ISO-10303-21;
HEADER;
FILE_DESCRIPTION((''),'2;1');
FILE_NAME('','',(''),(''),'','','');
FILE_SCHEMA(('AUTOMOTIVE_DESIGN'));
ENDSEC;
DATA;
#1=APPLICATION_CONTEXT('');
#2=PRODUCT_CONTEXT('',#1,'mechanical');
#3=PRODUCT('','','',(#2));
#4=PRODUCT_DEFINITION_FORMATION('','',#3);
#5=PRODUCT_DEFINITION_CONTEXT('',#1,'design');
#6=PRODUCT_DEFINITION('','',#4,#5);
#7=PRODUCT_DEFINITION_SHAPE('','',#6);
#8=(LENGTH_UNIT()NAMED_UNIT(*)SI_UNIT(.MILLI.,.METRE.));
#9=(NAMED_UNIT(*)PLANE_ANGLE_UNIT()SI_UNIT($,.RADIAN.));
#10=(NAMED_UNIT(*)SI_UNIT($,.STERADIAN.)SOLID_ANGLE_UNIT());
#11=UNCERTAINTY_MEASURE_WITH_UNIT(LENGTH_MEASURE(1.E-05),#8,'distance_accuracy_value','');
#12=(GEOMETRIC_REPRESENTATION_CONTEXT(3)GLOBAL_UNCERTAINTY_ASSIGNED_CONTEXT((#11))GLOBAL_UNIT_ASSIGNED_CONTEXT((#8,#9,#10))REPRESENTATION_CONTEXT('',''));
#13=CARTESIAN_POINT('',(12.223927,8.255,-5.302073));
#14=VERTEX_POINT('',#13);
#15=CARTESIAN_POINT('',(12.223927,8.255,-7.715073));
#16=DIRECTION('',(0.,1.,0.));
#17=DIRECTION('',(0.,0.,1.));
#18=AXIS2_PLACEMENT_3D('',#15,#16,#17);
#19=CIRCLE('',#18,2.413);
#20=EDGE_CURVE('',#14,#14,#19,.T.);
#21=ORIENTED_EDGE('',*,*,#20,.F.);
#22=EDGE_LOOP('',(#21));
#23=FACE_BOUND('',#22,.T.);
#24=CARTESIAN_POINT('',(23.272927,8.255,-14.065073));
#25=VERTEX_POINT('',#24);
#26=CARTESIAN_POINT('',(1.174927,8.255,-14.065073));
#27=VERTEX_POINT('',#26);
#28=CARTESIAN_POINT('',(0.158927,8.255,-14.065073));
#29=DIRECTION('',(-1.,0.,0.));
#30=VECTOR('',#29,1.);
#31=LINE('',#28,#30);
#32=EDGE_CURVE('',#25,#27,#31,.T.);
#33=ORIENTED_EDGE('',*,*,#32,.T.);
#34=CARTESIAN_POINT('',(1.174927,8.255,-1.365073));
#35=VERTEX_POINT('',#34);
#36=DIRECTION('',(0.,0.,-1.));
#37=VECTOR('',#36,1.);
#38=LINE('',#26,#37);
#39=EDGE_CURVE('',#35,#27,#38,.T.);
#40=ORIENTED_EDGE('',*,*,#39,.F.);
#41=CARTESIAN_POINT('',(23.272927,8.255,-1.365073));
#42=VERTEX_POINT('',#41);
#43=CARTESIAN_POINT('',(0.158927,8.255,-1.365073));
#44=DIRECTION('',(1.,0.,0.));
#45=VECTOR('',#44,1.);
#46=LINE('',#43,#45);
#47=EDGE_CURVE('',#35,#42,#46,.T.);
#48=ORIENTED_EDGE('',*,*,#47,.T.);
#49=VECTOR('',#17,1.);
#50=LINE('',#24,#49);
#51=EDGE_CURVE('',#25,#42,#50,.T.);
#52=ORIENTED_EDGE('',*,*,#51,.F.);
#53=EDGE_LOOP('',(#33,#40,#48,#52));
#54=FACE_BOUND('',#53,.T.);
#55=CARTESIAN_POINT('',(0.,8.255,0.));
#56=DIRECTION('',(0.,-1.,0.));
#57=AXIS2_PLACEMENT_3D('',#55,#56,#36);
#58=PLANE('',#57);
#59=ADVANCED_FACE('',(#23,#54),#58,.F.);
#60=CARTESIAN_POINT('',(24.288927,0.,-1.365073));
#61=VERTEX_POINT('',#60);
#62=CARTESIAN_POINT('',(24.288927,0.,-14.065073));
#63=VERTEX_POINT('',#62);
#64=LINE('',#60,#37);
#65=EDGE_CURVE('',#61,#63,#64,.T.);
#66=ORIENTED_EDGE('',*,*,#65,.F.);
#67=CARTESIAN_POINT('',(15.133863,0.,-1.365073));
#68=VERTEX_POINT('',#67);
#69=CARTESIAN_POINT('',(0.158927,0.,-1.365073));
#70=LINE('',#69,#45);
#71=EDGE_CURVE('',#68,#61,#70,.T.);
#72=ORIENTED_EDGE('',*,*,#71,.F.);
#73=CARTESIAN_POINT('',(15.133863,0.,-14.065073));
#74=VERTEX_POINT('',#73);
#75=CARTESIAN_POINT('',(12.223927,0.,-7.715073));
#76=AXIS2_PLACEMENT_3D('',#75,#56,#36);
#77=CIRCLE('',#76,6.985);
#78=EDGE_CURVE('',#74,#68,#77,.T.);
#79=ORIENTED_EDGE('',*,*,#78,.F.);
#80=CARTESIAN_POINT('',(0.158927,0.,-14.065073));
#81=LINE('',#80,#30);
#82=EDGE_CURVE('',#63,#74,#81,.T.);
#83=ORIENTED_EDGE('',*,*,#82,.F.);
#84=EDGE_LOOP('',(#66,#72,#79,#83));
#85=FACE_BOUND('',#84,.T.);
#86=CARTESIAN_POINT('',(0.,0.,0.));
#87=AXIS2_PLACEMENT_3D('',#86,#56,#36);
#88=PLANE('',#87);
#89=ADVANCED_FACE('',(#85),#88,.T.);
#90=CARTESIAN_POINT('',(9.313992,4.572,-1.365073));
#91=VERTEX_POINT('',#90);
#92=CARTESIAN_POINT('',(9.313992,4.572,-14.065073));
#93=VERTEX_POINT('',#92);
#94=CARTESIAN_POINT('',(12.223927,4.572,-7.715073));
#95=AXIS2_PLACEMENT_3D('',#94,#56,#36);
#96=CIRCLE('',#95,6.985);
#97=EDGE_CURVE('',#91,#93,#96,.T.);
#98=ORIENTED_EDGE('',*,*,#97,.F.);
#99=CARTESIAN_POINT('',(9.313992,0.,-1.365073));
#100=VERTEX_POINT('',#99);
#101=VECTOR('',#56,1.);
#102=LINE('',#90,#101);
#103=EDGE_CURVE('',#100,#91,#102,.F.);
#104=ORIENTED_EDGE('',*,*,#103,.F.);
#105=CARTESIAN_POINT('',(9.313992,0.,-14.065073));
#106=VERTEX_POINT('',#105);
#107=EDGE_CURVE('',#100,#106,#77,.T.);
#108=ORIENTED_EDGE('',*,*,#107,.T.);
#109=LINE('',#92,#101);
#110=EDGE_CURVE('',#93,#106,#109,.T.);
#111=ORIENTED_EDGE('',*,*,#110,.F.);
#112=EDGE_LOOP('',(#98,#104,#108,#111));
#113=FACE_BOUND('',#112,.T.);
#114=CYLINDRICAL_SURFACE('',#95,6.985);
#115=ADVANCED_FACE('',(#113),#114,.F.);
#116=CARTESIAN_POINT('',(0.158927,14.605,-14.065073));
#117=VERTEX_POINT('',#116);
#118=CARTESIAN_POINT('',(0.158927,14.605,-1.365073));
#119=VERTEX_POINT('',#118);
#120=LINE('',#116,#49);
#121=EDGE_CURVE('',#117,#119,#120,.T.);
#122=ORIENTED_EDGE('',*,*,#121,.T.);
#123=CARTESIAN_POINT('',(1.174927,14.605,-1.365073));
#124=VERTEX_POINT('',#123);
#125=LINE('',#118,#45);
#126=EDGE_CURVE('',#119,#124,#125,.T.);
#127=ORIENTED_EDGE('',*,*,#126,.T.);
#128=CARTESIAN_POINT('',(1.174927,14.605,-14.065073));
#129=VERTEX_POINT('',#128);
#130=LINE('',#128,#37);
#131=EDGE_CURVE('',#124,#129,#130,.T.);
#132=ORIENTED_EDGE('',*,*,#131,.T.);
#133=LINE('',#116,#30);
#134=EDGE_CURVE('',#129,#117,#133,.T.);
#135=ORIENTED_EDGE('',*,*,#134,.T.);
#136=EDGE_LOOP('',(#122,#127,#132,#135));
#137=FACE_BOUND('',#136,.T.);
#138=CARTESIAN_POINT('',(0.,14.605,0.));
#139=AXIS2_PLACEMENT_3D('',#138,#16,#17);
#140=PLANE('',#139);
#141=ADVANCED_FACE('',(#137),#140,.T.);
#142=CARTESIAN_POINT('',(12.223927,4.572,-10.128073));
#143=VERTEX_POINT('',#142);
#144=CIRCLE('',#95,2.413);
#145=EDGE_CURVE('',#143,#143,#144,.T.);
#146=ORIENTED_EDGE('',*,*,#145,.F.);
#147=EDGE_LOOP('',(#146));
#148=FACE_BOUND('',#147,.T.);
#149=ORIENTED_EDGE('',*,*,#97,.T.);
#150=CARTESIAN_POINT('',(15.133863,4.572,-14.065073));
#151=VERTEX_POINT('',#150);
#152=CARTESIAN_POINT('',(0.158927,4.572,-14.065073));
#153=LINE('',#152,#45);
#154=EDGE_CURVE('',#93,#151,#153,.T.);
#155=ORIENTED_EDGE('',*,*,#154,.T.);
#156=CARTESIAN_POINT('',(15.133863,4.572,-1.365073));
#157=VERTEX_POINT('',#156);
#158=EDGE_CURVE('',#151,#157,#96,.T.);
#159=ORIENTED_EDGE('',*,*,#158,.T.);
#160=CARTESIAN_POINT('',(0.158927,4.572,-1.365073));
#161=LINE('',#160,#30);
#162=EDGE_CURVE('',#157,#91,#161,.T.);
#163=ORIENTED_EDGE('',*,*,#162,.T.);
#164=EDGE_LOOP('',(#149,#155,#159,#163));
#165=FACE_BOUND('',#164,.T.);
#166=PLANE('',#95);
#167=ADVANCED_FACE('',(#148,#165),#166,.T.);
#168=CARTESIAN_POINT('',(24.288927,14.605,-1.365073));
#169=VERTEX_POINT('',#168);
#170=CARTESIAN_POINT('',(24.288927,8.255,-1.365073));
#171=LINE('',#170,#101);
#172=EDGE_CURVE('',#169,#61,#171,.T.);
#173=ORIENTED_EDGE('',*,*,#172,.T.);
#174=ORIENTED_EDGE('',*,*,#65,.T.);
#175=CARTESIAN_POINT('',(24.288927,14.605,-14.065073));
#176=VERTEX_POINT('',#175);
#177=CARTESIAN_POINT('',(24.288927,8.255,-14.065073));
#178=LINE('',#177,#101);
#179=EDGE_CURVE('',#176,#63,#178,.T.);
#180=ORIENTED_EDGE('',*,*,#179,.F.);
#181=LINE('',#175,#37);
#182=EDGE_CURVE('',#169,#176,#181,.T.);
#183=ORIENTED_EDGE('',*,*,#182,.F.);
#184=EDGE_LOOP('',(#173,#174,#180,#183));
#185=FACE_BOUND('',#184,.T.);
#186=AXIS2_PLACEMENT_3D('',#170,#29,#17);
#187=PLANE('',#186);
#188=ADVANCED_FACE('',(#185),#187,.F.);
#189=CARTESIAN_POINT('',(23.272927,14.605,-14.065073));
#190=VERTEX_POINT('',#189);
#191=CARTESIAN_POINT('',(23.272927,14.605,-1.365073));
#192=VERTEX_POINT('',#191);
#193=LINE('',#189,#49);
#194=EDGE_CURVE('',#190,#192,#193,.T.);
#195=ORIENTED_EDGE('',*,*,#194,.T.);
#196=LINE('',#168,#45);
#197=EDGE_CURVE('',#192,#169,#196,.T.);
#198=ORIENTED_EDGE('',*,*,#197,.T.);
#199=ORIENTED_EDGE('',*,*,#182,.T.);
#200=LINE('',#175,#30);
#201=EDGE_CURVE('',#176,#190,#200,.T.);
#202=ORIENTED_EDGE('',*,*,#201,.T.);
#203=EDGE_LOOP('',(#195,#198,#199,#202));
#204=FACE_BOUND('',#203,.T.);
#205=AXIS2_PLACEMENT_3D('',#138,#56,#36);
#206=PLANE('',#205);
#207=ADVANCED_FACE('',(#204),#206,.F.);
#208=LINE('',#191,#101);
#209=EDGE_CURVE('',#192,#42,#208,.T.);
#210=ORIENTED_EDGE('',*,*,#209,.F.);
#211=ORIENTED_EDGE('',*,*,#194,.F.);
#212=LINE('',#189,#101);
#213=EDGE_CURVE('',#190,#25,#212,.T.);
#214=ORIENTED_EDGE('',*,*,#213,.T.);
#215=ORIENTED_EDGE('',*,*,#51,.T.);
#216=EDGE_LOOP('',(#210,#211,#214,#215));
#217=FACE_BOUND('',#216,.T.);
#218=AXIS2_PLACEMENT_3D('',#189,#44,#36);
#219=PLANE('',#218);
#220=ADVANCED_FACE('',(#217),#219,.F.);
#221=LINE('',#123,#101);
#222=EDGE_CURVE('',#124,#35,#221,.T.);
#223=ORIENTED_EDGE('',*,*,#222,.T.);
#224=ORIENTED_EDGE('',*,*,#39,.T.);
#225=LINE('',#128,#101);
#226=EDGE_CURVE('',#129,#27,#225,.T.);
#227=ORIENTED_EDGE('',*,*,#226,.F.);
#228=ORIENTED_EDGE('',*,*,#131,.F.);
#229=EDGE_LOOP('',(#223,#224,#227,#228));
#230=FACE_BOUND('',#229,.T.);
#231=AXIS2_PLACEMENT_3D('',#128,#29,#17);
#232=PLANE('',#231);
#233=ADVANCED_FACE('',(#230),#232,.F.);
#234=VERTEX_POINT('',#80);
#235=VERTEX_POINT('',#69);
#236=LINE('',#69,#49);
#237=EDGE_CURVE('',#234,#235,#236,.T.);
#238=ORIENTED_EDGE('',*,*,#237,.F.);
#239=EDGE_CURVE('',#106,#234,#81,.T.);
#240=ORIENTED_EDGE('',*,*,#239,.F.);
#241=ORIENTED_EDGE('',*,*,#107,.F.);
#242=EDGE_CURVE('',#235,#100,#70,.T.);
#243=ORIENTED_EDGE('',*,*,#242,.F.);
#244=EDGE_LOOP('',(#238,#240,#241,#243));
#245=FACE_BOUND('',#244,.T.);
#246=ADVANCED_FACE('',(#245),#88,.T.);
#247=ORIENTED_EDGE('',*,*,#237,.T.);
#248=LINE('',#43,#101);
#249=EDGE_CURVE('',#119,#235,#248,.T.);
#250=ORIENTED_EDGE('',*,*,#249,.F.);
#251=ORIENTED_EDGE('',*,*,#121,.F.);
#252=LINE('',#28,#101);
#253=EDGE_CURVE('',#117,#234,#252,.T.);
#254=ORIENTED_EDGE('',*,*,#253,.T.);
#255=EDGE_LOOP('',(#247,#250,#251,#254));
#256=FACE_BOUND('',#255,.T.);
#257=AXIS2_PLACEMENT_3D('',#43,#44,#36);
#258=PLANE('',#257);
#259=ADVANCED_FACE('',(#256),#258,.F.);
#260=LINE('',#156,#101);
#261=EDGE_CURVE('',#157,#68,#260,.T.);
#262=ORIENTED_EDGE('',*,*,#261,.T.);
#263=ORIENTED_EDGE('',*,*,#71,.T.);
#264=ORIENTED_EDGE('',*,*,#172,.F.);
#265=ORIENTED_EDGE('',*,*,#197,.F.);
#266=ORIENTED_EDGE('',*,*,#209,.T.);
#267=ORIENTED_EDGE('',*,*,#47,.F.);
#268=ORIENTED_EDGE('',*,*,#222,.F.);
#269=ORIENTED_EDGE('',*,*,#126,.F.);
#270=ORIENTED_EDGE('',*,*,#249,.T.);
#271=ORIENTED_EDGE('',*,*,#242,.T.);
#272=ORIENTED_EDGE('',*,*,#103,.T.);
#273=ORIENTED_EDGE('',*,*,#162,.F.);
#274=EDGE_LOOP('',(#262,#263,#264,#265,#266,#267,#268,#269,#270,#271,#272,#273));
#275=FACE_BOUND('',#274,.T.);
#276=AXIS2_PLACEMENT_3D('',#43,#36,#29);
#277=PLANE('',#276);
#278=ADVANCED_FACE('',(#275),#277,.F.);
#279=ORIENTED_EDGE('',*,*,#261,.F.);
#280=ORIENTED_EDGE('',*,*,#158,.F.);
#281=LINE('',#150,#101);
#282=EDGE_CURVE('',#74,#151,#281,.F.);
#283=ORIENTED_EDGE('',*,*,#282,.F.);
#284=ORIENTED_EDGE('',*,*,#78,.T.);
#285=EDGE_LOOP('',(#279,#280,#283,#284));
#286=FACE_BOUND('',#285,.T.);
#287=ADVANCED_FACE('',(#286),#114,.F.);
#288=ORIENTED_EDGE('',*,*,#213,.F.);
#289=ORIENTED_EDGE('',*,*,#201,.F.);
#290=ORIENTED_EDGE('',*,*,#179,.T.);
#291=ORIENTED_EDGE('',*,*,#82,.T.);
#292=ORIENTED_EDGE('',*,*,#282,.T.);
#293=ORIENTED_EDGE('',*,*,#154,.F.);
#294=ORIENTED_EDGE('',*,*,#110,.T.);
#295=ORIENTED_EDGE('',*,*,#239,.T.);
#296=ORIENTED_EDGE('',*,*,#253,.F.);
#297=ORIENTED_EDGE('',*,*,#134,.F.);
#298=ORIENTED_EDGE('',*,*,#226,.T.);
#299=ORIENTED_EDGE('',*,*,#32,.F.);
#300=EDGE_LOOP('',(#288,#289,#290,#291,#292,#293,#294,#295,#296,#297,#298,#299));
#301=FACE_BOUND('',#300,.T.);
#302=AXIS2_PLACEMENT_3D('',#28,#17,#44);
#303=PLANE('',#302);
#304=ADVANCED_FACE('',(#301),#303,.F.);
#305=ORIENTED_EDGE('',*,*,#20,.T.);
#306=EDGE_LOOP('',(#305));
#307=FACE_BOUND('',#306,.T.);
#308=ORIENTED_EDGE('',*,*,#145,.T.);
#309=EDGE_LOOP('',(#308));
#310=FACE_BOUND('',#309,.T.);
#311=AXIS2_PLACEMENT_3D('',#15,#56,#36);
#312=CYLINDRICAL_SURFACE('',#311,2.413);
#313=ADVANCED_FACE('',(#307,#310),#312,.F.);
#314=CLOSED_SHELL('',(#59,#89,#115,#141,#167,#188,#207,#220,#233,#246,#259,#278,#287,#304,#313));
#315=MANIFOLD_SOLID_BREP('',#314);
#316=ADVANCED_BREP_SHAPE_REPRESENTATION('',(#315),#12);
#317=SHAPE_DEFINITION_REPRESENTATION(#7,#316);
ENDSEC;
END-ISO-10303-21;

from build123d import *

# Parameters (mm, degrees)
SKETCH2_W           = 24.13
SKETCH2_H           = 12.7
SKETCH2_R           = 2.413
BOSS_EXTRUDE1_DEPTH = 8.255
SKETCH3_W           = 1.016
SKETCH3_H           = 12.7
BOSS_EXTRUDE2_DEPTH = 6.35
SKETCH4_R           = 6.985
CUT_EXTRUDE1_DEPTH  = 4.572
SKETCH5_W           = 1.016
SKETCH5_H           = 12.7
BOSS_EXTRUDE3_DEPTH = 6.35


with BuildPart() as part:
    # Sketch2 → Boss-Extrude1 (new body)
    with BuildSketch(Plane(origin=(0, 0, 0), x_dir=(1, 0, 0), z_dir=(0, 1, 0))):
        with Locations((12.223927374, 7.715072626)):
            Rectangle(SKETCH2_W, SKETCH2_H)
        with Locations(Location((12.223927374, 7.715072626, 0), (0, 0, 270))):  # turned: the seam where the file's is
            Circle(SKETCH2_R, mode=Mode.SUBTRACT)
    extrude(amount=BOSS_EXTRUDE1_DEPTH)

    # Sketch3 → Boss-Extrude2 (add)
    with BuildSketch(Plane(origin=(0, 8.255, 0), x_dir=(1, 0, 0), z_dir=(0, 1, 0))):
        with Locations((0.666927374, 7.715072626)):
            Rectangle(SKETCH3_W, SKETCH3_H)
    extrude(amount=BOSS_EXTRUDE2_DEPTH)

    # Sketch4 → Cut-Extrude1 (cut)
    with BuildSketch(Plane.XZ):
        with Locations((12.223927374, -7.715072626)):
            Circle(SKETCH4_R)
    extrude(amount=-CUT_EXTRUDE1_DEPTH, mode=Mode.SUBTRACT)

    # Sketch5 → Boss-Extrude3 (add)
    with BuildSketch(Plane(origin=(0, 8.255, 0), x_dir=(1, 0, 0), z_dir=(0, 1, 0))):
        with Locations((23.780927374, 7.715072626)):
            Rectangle(SKETCH5_W, SKETCH5_H)
    extrude(amount=BOSS_EXTRUDE3_DEPTH)


solid = part.part
